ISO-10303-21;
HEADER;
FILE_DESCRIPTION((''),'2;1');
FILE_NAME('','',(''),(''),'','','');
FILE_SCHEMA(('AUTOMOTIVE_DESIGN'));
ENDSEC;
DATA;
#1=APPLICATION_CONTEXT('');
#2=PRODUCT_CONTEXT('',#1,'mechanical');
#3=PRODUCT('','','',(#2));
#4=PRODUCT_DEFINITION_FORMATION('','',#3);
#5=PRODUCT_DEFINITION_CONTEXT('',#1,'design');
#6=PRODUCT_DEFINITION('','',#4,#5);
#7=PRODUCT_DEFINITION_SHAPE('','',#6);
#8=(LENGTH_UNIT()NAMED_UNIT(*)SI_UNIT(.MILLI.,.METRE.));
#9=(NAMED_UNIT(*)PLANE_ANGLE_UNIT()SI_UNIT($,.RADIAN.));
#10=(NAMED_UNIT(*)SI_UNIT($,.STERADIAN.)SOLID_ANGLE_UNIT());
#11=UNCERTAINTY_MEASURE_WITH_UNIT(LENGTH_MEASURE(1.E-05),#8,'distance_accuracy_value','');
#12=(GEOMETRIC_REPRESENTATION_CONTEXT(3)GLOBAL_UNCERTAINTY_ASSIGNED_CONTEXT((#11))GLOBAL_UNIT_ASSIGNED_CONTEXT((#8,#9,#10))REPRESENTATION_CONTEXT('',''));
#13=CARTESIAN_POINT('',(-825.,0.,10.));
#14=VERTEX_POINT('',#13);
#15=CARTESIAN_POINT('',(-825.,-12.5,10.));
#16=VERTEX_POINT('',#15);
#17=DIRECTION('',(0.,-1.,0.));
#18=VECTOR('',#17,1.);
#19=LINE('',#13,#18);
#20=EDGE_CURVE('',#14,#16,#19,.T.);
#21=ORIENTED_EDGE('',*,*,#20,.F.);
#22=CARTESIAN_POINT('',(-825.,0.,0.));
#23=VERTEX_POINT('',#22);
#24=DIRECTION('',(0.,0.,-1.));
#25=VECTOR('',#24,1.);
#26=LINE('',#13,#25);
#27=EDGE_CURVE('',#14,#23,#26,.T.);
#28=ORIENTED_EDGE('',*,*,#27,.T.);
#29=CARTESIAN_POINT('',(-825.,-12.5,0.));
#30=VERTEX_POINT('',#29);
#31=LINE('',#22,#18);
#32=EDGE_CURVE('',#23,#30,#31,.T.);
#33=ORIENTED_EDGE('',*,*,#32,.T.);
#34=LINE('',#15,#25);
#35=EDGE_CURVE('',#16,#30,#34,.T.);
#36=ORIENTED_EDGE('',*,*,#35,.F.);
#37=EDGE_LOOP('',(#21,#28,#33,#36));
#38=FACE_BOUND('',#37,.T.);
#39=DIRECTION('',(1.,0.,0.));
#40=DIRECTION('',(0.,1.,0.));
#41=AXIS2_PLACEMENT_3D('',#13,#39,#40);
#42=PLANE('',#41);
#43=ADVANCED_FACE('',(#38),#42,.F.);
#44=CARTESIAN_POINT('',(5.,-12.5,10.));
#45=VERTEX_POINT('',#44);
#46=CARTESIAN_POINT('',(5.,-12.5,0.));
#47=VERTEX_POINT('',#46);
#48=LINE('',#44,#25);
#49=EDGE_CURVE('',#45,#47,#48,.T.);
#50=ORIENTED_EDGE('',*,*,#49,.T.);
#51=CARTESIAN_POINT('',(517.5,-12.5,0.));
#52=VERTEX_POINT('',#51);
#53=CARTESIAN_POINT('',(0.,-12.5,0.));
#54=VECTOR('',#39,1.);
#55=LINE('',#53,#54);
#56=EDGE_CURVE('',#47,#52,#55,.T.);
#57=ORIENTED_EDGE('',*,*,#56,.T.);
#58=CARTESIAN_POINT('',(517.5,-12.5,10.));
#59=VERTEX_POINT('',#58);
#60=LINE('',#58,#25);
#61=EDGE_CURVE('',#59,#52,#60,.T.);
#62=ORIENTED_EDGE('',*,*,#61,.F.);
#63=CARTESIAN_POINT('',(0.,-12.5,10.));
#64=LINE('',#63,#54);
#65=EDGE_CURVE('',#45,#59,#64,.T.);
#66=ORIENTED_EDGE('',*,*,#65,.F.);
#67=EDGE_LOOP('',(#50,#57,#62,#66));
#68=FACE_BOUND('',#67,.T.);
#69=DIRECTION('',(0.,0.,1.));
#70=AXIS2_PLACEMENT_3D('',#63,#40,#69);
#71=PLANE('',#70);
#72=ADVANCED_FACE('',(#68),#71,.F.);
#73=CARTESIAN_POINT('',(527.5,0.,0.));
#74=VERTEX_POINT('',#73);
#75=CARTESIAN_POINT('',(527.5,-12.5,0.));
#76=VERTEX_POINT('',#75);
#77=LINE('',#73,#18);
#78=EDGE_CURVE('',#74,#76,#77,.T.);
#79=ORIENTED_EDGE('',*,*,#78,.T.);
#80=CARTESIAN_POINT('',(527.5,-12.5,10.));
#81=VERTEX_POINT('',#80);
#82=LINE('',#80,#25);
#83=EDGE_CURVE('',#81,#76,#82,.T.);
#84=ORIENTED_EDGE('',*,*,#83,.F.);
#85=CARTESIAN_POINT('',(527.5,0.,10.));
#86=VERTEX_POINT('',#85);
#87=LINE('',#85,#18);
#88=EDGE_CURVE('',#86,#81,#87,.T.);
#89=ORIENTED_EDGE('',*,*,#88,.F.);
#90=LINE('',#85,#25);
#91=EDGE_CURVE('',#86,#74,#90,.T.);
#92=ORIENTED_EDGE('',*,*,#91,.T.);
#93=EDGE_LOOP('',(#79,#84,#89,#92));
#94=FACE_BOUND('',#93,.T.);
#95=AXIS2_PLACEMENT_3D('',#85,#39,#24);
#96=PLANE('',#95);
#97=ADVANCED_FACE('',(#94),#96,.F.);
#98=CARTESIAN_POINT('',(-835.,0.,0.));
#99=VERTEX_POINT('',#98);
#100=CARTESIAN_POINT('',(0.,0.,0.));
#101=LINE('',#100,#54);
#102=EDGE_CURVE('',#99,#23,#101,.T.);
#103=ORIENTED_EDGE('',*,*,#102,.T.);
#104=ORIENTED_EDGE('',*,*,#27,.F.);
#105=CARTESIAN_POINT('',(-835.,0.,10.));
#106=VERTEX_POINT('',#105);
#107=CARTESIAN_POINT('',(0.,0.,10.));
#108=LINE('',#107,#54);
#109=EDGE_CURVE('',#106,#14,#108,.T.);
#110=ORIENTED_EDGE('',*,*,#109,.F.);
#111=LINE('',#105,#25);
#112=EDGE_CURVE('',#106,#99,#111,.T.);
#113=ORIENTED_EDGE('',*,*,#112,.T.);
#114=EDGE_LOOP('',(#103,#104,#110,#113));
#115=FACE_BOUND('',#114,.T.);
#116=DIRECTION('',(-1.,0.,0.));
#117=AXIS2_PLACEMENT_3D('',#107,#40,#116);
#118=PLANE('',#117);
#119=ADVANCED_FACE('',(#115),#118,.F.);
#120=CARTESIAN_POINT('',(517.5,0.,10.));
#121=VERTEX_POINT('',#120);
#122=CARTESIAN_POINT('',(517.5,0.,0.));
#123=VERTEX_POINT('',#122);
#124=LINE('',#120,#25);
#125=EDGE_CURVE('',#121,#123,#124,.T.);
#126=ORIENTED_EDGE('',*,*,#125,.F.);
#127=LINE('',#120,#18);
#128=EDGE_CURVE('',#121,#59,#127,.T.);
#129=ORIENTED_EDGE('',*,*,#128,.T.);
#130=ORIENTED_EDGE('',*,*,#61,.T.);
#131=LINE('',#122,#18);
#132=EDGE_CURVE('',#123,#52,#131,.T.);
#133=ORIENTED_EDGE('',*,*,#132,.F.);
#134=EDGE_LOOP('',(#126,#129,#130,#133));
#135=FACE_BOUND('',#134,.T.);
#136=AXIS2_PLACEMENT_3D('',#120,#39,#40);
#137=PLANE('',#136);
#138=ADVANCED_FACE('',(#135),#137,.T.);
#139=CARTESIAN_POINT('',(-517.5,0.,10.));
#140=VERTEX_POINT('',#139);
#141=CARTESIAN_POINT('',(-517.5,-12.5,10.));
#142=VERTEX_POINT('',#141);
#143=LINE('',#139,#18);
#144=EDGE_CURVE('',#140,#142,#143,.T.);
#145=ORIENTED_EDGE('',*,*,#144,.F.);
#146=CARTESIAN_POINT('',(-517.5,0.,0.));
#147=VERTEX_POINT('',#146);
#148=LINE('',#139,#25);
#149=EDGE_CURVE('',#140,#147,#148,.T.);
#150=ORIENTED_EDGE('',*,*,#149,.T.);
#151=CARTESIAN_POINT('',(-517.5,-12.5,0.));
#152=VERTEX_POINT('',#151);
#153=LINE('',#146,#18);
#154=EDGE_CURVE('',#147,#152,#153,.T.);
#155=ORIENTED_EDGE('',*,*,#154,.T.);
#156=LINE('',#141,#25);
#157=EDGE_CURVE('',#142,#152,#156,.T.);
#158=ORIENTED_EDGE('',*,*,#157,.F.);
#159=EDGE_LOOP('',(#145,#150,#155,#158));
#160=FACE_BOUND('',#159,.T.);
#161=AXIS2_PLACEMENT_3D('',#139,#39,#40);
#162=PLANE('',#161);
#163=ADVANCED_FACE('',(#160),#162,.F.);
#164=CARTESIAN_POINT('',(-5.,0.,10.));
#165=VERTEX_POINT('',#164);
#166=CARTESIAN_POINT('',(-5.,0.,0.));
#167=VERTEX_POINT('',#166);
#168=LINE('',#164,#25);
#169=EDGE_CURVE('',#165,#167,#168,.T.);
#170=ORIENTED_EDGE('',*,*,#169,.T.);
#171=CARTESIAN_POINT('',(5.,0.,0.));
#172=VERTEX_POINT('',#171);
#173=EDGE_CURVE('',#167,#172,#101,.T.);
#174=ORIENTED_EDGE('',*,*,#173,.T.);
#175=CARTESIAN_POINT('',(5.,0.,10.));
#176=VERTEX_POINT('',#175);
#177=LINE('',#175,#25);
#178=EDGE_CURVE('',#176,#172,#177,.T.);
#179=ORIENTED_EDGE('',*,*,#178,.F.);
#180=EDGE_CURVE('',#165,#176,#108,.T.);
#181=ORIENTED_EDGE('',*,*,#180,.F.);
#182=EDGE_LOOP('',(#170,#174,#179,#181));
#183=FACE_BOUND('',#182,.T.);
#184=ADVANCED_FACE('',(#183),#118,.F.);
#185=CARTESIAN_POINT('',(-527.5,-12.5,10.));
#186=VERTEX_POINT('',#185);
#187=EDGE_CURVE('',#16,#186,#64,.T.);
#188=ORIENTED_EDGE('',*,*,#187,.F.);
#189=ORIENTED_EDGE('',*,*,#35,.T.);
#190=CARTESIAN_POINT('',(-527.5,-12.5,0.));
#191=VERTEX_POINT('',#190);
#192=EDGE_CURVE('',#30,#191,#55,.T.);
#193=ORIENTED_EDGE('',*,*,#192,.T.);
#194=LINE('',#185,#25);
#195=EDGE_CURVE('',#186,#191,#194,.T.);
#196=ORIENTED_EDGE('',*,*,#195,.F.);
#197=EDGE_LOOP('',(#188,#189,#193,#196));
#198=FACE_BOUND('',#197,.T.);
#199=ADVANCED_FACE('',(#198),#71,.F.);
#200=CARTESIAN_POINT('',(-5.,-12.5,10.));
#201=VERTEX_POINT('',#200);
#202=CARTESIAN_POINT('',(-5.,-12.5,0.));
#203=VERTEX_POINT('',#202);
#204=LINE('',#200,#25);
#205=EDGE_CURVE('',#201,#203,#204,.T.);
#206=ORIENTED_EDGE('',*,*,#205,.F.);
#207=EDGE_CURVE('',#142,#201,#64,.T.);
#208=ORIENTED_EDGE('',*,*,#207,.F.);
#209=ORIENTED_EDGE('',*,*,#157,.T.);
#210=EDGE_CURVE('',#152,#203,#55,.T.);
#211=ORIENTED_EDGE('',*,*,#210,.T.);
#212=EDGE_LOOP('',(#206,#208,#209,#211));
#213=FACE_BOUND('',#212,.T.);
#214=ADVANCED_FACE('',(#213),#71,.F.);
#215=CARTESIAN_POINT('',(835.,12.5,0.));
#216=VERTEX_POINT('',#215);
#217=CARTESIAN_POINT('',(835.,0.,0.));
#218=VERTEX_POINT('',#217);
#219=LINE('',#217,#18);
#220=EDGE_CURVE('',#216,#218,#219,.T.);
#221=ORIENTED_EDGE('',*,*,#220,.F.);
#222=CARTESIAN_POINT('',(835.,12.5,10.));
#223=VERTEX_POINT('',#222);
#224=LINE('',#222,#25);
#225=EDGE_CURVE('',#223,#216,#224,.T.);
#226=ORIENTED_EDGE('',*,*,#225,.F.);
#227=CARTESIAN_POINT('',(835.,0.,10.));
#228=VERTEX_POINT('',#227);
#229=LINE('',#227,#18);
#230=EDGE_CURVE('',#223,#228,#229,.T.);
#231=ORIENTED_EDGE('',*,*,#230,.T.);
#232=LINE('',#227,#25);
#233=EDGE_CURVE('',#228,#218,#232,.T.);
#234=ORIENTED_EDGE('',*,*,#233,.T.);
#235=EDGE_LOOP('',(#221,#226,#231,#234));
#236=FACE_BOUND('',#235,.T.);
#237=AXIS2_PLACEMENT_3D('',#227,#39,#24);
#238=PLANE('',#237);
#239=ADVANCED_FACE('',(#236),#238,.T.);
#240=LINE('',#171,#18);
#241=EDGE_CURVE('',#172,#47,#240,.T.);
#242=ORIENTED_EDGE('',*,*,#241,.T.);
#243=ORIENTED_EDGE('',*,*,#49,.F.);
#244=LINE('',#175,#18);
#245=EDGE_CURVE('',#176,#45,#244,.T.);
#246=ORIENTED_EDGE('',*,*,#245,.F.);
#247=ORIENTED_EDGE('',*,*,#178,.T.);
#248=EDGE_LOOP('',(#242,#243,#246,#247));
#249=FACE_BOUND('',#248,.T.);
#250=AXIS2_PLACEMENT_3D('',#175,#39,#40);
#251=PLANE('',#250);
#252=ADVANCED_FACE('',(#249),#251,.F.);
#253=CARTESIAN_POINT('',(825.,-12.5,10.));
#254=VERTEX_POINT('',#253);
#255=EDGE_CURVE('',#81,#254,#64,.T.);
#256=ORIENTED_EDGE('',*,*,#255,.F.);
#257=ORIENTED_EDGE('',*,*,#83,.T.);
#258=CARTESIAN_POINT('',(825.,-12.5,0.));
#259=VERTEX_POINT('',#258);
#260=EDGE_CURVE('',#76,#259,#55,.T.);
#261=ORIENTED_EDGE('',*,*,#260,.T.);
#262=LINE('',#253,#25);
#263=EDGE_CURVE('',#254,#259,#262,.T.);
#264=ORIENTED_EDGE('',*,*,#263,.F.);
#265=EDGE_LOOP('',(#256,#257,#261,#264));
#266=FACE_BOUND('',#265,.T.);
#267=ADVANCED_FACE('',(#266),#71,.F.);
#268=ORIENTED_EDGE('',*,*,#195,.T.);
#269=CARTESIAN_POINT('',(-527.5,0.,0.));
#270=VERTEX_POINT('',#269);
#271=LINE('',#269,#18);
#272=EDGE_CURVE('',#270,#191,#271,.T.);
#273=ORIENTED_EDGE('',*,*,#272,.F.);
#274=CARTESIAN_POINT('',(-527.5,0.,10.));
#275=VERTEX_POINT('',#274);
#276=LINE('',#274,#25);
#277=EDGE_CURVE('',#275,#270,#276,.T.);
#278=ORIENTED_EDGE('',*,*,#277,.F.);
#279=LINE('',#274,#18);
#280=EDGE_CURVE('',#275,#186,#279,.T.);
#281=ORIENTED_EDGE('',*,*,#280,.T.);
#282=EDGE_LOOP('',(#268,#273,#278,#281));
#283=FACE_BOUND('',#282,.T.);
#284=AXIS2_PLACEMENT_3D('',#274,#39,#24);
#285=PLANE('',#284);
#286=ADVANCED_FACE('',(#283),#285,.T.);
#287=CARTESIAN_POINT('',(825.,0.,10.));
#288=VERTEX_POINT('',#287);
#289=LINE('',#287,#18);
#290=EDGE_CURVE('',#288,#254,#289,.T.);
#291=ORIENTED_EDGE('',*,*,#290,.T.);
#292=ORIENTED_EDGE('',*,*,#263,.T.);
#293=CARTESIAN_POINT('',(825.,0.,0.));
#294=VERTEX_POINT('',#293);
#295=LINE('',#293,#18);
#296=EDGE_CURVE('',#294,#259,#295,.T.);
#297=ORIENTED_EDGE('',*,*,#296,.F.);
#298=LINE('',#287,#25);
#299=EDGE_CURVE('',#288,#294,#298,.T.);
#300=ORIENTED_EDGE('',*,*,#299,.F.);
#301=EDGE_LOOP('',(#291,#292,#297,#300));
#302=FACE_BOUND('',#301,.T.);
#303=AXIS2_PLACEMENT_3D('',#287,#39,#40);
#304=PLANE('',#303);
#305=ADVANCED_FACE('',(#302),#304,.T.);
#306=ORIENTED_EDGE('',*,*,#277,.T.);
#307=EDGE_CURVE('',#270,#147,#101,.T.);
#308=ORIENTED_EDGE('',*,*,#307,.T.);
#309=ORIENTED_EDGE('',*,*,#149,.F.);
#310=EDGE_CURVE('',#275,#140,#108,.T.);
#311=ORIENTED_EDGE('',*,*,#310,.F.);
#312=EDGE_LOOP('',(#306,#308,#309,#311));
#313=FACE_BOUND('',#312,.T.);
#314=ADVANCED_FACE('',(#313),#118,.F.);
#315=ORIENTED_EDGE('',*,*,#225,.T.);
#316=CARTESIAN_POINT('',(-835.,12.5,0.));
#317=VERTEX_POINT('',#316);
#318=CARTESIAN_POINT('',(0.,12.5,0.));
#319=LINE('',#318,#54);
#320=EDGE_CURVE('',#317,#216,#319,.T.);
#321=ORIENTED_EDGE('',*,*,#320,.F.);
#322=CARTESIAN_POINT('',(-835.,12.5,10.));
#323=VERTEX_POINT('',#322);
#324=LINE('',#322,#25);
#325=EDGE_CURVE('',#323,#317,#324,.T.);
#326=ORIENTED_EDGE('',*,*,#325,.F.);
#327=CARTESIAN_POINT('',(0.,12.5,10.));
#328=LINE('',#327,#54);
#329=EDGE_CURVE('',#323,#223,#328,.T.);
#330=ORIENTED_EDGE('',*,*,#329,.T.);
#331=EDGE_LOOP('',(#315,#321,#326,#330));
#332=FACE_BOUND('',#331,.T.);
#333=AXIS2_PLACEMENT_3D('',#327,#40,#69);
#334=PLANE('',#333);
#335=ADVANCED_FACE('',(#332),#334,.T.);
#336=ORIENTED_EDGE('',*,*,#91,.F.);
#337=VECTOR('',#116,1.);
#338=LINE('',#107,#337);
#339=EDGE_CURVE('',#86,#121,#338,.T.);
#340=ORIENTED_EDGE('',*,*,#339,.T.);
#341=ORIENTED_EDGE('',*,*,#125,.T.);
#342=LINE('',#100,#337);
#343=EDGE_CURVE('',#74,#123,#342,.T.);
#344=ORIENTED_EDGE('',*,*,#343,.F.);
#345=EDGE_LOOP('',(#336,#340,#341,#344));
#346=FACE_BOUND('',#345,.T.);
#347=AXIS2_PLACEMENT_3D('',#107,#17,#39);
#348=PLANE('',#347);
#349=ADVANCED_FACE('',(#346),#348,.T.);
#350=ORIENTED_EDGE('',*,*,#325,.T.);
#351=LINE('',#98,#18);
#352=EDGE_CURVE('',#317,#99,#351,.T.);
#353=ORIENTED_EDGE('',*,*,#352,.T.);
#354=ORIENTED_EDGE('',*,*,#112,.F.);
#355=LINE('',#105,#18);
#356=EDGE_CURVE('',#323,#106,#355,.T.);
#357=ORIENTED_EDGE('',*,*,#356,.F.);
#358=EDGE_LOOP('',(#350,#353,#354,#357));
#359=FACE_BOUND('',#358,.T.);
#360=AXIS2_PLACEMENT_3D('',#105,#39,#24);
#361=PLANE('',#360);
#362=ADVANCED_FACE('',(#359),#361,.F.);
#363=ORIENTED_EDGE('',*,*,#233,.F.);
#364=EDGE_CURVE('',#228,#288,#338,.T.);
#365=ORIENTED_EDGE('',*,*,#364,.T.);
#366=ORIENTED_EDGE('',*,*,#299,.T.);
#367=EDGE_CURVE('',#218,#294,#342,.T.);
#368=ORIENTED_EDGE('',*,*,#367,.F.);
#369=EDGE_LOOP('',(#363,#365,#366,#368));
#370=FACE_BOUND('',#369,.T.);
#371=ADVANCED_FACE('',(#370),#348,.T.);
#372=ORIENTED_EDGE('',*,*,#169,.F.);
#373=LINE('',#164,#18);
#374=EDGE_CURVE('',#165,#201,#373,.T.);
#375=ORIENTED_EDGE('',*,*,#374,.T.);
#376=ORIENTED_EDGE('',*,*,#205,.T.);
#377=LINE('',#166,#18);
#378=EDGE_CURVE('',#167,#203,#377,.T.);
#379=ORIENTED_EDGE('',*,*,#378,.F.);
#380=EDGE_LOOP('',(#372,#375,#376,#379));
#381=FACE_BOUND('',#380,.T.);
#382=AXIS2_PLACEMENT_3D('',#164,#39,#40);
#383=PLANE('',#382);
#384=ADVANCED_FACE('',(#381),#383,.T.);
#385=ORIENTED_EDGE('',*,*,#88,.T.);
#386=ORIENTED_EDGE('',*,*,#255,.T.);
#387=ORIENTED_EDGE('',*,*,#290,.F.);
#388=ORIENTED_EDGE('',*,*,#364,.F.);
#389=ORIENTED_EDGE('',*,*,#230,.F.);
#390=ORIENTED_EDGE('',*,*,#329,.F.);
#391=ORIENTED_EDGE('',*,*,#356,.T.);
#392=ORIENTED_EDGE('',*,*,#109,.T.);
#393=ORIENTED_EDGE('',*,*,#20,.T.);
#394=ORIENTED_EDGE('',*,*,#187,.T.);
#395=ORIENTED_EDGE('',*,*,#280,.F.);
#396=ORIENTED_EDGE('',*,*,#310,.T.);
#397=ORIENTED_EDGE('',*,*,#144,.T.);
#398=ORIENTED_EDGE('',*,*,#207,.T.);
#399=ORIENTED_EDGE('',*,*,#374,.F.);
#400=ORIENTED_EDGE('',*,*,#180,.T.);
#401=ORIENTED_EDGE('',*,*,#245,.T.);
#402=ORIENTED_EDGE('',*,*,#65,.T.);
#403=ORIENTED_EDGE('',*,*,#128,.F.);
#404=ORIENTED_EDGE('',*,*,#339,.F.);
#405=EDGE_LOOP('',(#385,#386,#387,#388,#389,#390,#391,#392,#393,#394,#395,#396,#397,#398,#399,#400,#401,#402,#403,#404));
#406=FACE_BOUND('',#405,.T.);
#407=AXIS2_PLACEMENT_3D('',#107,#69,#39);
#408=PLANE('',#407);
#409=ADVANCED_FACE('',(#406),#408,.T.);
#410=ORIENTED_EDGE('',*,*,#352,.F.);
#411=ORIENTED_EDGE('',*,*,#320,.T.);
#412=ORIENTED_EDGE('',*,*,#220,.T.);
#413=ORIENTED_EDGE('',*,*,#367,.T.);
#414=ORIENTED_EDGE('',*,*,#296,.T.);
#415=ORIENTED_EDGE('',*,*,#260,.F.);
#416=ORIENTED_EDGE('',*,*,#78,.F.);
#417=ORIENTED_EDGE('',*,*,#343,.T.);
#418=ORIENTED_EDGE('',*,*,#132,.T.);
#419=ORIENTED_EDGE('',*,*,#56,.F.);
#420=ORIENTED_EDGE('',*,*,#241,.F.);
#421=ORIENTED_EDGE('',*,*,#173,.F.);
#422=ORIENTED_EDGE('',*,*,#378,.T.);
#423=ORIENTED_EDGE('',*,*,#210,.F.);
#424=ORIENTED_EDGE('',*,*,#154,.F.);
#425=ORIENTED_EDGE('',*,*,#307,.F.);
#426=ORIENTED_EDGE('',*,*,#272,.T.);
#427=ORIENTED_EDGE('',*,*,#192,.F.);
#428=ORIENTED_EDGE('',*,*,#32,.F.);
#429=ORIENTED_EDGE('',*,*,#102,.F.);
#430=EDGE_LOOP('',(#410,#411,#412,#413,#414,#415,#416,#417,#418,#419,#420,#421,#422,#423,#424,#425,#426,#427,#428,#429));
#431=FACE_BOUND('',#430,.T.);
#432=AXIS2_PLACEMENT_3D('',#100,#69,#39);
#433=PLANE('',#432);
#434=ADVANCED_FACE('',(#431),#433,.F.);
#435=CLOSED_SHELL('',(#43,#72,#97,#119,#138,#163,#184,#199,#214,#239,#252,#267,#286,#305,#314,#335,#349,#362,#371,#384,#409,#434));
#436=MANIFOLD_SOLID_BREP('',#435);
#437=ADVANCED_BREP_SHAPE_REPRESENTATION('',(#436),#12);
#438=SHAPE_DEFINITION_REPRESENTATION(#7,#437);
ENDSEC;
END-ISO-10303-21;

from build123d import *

# Parameters (mm, degrees)
BOSS_EXTRUDE1_DEPTH = 10


with BuildPart() as part:
    # Sketch1 → Boss-Extrude1 (new body)
    with BuildSketch(Plane.XY):
        Polygon((-5, -12.5), (-5, 0), (5, 0), (5, -12.5), (517.5, -12.5), (517.5, 0), (527.5, 0), (527.5, -12.5), (825, -12.5), (825, 0), (835, 0), (835, 12.5), (-835, 12.5), (-835, 0), (-825, 0), (-825, -12.5), (-527.5, -12.5), (-527.5, 0), (-517.5, 0), (-517.5, -12.5), align=None)
    extrude(amount=BOSS_EXTRUDE1_DEPTH)


solid = part.part
